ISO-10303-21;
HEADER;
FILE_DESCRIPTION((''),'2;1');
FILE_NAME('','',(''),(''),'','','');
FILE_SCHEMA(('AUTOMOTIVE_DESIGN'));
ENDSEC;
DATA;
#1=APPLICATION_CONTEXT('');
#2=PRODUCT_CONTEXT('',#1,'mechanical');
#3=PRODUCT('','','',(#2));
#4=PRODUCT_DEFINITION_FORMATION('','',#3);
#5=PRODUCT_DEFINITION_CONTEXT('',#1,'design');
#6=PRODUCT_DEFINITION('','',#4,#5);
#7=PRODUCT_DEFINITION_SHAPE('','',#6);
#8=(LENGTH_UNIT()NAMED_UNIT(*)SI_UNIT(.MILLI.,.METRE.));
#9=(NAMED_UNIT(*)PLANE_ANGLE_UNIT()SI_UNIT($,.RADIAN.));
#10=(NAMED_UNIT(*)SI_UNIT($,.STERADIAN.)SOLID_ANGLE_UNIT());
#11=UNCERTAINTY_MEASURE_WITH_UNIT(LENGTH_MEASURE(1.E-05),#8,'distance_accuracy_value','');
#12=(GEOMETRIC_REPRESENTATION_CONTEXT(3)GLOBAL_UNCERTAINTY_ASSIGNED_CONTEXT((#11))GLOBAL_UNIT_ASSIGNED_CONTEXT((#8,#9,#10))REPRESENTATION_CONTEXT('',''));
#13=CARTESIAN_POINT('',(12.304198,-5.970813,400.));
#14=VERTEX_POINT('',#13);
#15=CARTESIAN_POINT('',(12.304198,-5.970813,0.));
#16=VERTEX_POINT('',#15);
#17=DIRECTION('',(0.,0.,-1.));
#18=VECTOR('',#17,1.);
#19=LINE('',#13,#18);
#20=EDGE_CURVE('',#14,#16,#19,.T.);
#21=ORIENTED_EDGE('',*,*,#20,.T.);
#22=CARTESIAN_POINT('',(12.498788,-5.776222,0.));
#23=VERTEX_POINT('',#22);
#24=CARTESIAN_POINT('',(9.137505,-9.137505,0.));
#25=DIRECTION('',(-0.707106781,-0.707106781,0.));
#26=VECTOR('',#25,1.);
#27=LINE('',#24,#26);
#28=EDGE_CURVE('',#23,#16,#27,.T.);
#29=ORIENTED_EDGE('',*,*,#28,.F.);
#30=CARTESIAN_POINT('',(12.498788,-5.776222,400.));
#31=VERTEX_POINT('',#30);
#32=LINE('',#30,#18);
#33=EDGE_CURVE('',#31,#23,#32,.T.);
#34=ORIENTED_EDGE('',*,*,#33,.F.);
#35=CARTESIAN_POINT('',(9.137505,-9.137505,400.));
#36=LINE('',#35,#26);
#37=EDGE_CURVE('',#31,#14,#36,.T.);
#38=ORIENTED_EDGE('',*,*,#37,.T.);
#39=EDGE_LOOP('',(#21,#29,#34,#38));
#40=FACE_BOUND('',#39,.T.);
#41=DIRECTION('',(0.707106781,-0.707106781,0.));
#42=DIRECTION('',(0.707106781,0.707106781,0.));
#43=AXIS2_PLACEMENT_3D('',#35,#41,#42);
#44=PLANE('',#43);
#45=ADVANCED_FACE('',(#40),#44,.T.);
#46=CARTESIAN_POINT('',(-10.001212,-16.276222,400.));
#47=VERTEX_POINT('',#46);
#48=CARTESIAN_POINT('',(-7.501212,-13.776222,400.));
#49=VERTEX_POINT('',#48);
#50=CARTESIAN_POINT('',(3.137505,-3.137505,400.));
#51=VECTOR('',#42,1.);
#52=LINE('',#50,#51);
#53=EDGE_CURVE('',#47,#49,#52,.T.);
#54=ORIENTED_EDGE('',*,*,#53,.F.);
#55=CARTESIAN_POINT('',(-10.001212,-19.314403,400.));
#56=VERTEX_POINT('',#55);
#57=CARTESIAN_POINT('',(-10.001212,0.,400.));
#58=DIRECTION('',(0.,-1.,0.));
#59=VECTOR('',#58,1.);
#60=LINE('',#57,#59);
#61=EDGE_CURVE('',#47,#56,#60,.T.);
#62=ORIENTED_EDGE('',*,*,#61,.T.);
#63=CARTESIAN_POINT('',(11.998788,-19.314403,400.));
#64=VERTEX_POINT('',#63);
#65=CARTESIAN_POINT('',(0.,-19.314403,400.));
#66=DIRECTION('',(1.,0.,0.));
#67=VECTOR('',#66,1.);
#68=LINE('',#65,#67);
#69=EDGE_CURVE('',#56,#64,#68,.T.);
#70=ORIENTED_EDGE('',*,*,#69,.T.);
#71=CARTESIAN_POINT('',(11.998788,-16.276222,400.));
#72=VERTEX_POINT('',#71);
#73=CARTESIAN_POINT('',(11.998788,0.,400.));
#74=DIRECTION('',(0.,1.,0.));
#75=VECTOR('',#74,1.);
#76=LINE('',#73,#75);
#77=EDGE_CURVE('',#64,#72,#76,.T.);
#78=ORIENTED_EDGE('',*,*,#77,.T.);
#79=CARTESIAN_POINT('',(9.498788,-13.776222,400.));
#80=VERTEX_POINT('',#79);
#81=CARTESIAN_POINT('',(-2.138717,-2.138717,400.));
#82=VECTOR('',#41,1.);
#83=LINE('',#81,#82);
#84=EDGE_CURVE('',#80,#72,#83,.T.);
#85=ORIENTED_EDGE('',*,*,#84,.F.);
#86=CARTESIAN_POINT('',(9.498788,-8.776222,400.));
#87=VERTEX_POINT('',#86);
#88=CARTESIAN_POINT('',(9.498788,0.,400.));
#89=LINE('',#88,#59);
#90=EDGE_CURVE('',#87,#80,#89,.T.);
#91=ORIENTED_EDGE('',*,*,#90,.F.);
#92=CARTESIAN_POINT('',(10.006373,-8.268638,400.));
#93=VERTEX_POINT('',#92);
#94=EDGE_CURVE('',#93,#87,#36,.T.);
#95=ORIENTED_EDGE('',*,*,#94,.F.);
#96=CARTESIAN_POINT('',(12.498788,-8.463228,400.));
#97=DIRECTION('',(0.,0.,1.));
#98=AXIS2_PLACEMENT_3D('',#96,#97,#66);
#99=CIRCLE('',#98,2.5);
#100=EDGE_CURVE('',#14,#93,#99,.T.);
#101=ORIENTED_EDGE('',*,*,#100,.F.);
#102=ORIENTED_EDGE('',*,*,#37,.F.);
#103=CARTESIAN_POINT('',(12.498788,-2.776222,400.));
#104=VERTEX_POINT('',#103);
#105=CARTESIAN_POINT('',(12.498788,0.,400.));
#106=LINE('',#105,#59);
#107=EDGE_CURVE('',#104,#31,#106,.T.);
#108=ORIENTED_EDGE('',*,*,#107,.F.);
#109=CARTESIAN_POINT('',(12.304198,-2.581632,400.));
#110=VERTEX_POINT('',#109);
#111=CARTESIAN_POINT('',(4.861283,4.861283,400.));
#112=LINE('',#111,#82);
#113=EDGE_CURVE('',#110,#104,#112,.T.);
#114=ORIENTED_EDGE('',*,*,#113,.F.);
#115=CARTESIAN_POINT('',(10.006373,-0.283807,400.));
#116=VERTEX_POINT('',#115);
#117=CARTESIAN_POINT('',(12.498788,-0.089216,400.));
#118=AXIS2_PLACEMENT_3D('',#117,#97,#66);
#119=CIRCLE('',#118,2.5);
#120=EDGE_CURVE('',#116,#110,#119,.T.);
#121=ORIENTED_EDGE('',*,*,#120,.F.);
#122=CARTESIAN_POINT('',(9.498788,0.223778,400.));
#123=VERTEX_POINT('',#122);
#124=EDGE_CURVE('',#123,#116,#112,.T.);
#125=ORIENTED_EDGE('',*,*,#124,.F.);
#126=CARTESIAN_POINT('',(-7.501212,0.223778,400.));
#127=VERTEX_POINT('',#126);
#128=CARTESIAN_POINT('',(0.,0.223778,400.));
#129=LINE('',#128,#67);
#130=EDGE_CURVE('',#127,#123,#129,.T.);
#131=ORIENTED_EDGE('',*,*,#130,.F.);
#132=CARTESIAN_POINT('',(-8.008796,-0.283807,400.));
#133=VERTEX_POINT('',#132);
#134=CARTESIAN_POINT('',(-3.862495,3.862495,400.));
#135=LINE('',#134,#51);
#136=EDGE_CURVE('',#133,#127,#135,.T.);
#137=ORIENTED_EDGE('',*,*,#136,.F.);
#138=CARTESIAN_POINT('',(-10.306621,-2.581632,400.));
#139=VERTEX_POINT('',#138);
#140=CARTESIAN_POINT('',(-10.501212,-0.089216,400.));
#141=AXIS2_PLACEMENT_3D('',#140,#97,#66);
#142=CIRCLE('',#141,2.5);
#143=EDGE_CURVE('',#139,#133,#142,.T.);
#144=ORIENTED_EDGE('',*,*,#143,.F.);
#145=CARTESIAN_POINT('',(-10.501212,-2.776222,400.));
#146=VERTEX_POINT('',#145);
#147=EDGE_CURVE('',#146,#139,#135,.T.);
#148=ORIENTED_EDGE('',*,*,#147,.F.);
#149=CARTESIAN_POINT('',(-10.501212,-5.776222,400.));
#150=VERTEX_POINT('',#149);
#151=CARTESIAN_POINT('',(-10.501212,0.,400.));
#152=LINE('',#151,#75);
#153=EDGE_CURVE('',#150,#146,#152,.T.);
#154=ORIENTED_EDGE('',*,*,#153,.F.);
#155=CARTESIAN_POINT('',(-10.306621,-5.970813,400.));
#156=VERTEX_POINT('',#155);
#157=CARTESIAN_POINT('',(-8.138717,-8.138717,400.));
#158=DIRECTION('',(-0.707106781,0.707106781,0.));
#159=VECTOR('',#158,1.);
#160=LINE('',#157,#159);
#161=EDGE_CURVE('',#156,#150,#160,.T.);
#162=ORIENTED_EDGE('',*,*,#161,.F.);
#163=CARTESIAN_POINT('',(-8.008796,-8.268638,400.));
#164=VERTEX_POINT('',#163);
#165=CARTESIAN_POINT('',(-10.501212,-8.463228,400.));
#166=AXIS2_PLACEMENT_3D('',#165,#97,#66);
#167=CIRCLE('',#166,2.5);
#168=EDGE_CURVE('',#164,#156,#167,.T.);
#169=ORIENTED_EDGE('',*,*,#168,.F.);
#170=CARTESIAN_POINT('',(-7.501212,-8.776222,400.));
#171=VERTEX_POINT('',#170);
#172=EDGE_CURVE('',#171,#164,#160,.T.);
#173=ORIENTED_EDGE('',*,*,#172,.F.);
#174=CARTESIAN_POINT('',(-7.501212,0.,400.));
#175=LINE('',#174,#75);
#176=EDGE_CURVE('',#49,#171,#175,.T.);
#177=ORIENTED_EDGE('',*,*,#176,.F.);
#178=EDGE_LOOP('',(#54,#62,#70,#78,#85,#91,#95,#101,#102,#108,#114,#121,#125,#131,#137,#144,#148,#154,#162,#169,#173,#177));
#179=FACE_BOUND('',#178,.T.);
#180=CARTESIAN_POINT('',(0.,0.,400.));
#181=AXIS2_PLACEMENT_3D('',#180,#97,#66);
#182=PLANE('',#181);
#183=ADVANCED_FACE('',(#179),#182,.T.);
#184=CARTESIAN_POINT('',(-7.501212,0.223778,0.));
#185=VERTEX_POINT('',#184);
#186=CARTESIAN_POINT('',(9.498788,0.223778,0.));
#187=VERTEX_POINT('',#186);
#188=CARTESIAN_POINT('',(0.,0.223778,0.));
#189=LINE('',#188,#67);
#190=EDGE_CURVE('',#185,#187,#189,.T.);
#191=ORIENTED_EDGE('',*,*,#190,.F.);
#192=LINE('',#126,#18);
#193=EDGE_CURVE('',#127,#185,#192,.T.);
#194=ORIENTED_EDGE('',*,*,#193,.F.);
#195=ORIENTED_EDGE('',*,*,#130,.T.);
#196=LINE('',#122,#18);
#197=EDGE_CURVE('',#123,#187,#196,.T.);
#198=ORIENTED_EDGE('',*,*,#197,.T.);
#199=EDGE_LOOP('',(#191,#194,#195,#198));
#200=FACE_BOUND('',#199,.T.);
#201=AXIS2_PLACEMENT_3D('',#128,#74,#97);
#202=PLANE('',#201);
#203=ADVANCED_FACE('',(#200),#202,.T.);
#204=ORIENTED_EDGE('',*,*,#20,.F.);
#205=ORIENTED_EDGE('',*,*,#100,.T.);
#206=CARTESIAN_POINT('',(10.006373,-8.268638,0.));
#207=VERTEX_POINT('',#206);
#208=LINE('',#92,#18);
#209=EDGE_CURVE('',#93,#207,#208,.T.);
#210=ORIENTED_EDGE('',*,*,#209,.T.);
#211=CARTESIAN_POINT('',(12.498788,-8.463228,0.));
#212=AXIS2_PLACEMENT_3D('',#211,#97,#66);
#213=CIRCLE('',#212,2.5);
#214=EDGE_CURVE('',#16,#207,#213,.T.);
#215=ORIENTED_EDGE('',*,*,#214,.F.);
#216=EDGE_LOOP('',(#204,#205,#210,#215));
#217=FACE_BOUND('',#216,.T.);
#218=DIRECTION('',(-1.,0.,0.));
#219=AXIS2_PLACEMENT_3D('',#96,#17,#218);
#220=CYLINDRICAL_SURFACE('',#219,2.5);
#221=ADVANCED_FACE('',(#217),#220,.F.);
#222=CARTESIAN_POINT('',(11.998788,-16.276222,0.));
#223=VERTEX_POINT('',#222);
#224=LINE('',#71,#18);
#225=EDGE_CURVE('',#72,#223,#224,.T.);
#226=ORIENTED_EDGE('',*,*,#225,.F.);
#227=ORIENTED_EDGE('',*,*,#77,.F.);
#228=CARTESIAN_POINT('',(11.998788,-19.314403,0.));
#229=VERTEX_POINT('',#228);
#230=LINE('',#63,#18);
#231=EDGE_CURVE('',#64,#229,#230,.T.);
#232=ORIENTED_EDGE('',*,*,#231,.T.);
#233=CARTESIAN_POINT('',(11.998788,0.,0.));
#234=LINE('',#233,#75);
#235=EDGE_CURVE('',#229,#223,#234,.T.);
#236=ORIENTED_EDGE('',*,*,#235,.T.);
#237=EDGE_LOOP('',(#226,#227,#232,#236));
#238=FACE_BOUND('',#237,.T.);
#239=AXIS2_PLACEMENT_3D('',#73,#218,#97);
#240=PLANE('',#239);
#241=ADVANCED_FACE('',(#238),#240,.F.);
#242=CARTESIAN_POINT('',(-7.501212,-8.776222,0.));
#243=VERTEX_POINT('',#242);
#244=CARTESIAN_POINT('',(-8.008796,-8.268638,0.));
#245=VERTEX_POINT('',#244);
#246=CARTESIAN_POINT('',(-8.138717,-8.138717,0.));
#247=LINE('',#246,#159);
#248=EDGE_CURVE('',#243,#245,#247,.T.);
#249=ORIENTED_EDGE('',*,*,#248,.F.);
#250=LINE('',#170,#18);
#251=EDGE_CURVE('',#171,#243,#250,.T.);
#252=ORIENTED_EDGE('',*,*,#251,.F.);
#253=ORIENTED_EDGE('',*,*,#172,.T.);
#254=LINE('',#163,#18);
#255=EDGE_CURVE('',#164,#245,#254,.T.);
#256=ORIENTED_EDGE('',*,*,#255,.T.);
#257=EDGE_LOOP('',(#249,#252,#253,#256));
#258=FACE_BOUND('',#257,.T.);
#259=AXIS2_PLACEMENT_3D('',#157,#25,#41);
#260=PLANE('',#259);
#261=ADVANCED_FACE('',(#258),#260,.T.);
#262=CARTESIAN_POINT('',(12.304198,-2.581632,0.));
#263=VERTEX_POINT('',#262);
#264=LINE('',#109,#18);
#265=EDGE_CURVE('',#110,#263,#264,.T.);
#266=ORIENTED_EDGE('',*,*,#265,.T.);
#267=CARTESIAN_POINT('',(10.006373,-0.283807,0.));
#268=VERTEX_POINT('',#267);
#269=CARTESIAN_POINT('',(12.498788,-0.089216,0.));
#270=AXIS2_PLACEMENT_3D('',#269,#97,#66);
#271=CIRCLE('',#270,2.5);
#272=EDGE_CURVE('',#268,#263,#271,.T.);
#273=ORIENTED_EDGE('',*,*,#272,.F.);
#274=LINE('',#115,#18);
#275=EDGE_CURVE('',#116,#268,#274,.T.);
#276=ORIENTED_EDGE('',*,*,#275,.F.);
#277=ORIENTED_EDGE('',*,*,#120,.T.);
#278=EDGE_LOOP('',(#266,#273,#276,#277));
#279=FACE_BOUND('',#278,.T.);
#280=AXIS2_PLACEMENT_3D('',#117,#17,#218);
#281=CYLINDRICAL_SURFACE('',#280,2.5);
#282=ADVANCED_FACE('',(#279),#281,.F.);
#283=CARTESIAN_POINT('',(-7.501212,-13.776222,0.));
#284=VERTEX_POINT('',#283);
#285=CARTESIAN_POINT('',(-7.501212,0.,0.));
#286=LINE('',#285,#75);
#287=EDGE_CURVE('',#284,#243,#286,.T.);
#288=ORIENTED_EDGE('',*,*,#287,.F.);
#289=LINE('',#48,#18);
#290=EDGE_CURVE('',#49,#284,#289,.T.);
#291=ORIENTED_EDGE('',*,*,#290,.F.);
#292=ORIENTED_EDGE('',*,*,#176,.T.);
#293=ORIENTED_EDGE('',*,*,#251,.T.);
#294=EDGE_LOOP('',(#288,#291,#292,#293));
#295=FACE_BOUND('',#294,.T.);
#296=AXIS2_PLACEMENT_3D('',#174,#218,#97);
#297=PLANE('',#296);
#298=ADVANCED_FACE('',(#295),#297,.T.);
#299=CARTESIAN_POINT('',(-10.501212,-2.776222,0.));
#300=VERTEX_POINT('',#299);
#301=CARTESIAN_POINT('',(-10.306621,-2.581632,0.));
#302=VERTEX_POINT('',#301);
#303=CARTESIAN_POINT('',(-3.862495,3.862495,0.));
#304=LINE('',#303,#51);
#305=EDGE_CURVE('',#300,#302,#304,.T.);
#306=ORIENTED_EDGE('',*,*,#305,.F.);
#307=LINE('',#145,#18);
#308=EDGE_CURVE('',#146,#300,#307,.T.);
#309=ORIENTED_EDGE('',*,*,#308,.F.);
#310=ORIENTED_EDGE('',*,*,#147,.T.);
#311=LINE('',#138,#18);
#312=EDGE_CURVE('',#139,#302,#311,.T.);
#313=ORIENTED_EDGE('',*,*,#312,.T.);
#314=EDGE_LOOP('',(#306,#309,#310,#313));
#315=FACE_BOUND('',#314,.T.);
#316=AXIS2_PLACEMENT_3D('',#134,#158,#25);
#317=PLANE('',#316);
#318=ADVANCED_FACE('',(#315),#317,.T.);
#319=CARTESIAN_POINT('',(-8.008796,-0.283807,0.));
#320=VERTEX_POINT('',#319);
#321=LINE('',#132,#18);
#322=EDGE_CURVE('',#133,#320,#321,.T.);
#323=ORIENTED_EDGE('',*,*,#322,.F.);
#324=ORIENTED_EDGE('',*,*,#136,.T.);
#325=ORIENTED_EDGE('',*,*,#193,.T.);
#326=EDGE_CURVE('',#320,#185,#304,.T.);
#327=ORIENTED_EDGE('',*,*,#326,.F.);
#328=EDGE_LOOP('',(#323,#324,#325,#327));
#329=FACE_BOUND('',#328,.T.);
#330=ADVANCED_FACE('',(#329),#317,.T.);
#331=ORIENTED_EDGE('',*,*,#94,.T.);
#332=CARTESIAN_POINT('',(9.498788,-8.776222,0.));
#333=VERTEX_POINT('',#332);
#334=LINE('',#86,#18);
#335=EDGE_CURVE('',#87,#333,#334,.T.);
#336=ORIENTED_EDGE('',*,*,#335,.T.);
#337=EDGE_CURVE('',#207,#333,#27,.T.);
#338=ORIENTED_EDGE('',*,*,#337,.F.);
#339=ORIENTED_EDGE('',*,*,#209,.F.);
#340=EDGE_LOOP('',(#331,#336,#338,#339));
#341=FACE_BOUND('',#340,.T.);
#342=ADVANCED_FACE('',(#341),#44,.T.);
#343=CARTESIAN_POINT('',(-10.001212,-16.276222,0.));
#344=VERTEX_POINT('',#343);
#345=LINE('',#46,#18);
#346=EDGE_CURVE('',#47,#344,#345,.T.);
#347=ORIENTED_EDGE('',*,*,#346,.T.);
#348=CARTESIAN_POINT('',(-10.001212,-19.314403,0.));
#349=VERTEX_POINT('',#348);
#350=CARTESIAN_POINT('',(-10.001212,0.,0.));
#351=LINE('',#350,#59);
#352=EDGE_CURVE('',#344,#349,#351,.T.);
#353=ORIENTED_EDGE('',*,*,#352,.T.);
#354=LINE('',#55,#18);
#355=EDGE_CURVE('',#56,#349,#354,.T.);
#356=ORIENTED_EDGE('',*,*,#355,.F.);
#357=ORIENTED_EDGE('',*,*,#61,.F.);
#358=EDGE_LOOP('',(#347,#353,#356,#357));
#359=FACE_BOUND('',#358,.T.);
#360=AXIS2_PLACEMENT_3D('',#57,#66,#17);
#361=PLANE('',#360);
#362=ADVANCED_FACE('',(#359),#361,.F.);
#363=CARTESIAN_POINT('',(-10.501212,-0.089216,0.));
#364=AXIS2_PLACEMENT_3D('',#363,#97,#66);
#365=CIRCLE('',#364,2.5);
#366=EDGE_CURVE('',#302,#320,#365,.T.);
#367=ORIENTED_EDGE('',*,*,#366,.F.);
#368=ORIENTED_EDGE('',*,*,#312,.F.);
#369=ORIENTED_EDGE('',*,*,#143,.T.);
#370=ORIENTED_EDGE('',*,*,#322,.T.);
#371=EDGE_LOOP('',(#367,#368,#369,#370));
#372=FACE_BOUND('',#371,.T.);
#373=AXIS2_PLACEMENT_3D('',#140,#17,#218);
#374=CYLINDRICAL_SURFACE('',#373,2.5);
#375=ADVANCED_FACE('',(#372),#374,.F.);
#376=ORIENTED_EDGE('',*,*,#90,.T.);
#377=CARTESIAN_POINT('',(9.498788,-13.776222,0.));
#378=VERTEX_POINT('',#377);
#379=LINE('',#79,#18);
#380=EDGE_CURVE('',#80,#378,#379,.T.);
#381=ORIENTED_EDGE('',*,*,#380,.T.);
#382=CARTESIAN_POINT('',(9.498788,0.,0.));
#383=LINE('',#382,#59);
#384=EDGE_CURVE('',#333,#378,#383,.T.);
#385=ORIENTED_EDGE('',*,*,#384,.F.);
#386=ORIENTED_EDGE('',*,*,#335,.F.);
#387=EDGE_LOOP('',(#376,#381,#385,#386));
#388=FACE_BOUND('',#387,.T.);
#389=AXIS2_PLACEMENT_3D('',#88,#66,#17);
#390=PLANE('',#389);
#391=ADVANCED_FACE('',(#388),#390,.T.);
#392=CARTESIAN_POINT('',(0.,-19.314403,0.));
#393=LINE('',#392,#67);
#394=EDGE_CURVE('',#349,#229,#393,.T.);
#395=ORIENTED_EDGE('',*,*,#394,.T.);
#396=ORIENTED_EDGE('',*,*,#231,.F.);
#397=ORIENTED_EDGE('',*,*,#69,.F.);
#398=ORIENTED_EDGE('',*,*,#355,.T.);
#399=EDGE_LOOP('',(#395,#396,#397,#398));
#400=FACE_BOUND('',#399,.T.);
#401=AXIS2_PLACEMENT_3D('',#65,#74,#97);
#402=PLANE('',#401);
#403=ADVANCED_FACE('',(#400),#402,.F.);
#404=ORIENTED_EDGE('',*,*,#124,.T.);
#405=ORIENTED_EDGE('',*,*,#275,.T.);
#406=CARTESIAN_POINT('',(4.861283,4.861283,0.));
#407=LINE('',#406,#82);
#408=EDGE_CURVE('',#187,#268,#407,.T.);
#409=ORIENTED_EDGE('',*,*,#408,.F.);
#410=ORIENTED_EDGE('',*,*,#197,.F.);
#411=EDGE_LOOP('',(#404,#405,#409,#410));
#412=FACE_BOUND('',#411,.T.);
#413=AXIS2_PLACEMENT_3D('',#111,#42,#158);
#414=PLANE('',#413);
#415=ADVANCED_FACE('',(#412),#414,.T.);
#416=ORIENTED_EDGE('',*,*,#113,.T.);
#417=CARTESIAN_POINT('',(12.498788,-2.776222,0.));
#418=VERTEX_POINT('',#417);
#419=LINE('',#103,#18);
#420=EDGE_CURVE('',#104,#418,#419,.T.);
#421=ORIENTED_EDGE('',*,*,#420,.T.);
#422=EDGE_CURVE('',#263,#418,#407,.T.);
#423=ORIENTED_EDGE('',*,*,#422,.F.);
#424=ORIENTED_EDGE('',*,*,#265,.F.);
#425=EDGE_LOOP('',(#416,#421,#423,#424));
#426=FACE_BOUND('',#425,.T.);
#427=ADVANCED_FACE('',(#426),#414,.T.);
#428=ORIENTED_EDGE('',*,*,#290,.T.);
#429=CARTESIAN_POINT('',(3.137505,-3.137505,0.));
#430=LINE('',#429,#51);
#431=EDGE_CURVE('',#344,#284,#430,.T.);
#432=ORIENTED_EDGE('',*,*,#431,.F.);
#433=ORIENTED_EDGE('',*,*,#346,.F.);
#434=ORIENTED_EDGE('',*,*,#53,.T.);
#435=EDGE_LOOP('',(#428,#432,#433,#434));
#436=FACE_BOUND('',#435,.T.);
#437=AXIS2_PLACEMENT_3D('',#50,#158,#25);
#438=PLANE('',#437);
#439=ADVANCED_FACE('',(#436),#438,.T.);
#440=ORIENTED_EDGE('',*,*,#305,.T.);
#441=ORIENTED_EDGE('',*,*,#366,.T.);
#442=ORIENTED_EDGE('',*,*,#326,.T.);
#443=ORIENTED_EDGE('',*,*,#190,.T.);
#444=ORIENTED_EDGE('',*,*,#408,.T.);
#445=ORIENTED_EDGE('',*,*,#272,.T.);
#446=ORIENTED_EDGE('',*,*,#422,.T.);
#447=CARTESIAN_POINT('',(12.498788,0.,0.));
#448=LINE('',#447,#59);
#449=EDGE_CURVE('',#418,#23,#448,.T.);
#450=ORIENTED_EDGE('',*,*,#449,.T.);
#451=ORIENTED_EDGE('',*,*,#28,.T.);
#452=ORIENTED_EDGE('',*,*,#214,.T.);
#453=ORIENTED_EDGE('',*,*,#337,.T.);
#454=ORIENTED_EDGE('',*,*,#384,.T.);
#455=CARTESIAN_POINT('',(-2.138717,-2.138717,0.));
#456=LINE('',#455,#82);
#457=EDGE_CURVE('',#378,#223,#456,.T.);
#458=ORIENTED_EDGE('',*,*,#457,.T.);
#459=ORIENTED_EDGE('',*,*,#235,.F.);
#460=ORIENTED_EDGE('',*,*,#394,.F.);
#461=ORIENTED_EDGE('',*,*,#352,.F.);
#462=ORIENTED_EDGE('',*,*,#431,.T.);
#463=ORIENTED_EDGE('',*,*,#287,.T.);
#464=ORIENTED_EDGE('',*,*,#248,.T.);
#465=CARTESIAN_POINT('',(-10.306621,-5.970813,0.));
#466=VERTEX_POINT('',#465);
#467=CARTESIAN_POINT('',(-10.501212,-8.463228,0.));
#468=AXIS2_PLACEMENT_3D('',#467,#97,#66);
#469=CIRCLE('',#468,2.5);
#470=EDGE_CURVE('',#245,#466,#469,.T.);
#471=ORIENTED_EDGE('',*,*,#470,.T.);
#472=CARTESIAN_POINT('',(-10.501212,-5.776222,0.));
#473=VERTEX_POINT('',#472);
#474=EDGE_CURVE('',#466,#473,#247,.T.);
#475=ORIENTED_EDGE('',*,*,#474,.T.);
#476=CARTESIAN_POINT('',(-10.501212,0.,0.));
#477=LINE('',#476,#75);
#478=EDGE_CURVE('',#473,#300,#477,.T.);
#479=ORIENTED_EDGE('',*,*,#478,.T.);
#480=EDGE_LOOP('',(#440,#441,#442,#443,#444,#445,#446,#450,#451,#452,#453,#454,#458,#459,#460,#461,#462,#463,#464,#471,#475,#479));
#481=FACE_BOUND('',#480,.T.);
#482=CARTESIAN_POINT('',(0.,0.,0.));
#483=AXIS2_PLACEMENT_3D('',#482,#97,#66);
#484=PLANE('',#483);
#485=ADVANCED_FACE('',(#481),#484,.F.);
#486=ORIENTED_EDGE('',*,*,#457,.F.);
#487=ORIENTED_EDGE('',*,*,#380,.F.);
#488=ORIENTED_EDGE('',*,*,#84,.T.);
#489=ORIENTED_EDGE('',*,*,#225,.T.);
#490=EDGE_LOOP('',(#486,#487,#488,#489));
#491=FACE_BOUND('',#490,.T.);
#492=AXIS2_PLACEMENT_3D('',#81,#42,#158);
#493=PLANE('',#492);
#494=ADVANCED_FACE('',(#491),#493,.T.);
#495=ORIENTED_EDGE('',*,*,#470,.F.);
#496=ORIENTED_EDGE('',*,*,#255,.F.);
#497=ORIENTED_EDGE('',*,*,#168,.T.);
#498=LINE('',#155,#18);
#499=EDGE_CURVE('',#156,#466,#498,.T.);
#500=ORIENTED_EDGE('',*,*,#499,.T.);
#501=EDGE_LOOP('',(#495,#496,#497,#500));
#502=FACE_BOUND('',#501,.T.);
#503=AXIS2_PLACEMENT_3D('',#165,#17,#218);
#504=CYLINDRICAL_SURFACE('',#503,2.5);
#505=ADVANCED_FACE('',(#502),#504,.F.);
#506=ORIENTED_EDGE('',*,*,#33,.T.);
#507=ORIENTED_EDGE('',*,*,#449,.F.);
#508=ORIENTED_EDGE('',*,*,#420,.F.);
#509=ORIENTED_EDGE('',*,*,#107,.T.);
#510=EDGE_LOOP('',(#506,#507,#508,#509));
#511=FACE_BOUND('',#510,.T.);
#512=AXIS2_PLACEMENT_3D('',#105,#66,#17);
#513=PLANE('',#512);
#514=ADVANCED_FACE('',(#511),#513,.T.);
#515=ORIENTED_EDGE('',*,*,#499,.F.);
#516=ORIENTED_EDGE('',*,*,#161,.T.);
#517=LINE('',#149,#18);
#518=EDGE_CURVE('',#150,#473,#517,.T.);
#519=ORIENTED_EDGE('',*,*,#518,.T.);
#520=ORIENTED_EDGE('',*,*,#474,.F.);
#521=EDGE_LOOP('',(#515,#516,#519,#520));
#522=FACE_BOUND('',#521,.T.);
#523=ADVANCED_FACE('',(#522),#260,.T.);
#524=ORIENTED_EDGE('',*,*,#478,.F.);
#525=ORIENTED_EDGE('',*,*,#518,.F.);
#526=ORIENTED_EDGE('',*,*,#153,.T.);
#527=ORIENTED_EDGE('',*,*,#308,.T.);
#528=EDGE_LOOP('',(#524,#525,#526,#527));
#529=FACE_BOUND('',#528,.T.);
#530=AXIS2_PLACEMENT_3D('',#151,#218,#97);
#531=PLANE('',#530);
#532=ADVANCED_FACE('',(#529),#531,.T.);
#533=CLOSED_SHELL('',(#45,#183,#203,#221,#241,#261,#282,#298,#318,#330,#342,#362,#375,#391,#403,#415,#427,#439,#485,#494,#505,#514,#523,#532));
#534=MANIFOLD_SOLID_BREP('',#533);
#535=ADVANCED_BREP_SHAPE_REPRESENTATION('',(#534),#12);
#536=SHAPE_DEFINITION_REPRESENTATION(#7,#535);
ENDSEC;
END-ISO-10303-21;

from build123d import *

# Parameters (mm, degrees)
ESTRUSIONE_ESTRUSIONE1_DEPTH = 400


with BuildPart() as part:
    # Schizzo1 → Estrusione-Estrusione1 (new body)
    with BuildSketch(Plane.XY):
        with BuildLine():
            Line((-10.001211602, -16.276222172), (-7.501211602, -13.776222172))
            Line((-7.501211602, -13.776222172), (-7.501211602, -8.776222172))
            Line((-7.501211602, -8.776222172), (-8.008796188, -8.268637585))
            ThreePointArc((-8.008796188, -8.268637585), (-8.733444649, -6.695460987), (-10.306621247, -5.970812526))
            Line((-10.306621247, -5.970812526), (-10.501211602, -5.776222172))
            Line((-10.501211602, -5.776222172), (-10.501211602, -2.776222172))
            Line((-10.501211602, -2.776222172), (-10.306621247, -2.581631817))
            ThreePointArc((-10.306621247, -2.581631817), (-8.733444649, -1.856983356), (-8.008796188, -0.283806758))
            Line((-8.008796188, -0.283806758), (-7.501211602, 0.223777828))
            Line((-7.501211602, 0.223777828), (9.498788398, 0.223777828))
            Line((9.498788398, 0.223777828), (10.006372984, -0.283806758))
            ThreePointArc((10.006372984, -0.283806758), (10.731021445, -1.856983356), (12.304198043, -2.581631817))
            Line((12.304198043, -2.581631817), (12.498788398, -2.776222172))
            Line((12.498788398, -2.776222172), (12.498788398, -5.776222172))
            Line((12.498788398, -5.776222172), (12.304198043, -5.970812526))
            ThreePointArc((12.304198043, -5.970812526), (10.731021445, -6.695460987), (10.006372984, -8.268637585))
            Line((10.006372984, -8.268637585), (9.498788398, -8.776222172))
            Line((9.498788398, -8.776222172), (9.498788398, -13.776222172))
            Line((9.498788398, -13.776222172), (11.998788398, -16.276222172))
            Line((11.998788398, -16.276222172), (11.998788398, -19.314402932))
            Line((11.998788398, -19.314402932), (-10.001211602, -19.314402932))
            Line((-10.001211602, -19.314402932), (-10.001211602, -16.276222172))
        make_face()
    extrude(amount=ESTRUSIONE_ESTRUSIONE1_DEPTH)


solid = part.part
